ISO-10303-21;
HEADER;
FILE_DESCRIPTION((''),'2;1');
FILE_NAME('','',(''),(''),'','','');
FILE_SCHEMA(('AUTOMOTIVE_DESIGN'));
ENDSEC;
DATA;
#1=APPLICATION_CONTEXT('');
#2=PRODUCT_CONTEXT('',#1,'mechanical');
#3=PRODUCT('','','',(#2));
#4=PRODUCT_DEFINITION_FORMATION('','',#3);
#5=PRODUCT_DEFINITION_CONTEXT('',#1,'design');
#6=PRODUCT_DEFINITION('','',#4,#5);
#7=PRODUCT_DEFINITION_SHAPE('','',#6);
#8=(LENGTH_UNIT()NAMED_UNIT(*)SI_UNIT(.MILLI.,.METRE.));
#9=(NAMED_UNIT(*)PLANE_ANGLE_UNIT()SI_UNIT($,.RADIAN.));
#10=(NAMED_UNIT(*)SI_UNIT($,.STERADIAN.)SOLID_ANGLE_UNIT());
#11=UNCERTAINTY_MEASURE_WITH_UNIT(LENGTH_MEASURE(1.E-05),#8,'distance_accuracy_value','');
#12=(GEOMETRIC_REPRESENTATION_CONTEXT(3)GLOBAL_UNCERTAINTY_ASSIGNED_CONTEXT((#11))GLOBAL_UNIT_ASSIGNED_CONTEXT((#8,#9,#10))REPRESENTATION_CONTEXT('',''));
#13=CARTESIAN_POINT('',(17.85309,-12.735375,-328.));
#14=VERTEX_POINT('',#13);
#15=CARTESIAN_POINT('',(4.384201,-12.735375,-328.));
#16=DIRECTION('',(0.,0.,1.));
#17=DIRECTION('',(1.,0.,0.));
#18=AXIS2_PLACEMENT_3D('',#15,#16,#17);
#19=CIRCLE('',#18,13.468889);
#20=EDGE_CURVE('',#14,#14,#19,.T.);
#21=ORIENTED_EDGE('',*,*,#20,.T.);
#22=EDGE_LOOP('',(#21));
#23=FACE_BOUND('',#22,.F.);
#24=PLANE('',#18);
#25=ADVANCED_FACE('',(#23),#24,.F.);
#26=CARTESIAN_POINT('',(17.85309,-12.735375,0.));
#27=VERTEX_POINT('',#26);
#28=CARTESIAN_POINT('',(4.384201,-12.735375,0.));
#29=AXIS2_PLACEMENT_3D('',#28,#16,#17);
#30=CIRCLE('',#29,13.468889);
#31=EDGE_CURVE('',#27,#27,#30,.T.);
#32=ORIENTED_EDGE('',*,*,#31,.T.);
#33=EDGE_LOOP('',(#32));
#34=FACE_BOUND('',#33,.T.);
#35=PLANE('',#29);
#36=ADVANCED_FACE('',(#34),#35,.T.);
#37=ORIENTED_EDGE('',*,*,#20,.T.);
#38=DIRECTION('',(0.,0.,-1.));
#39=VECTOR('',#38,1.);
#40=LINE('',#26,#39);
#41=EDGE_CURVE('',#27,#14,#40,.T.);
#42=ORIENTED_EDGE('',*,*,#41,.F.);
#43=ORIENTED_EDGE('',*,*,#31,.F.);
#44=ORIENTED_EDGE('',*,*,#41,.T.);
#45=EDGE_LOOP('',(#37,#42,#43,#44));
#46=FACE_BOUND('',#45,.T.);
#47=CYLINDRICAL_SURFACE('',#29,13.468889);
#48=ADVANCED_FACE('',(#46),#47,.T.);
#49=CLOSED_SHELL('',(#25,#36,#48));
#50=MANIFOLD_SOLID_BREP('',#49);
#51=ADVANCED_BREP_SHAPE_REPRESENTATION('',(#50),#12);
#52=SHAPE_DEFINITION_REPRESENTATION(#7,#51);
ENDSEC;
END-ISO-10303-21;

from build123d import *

# Parameters (mm, degrees)
F0_R     = 13.468889
F1_DEPTH = 328


with BuildPart() as f1:
    # F0 (on Top) → F1 (new body)
    with BuildSketch(Plane.XY):
        with Locations((4.384201, -12.735375)):
            Circle(F0_R)
    extrude(amount=-F1_DEPTH)


solid = f1.part
